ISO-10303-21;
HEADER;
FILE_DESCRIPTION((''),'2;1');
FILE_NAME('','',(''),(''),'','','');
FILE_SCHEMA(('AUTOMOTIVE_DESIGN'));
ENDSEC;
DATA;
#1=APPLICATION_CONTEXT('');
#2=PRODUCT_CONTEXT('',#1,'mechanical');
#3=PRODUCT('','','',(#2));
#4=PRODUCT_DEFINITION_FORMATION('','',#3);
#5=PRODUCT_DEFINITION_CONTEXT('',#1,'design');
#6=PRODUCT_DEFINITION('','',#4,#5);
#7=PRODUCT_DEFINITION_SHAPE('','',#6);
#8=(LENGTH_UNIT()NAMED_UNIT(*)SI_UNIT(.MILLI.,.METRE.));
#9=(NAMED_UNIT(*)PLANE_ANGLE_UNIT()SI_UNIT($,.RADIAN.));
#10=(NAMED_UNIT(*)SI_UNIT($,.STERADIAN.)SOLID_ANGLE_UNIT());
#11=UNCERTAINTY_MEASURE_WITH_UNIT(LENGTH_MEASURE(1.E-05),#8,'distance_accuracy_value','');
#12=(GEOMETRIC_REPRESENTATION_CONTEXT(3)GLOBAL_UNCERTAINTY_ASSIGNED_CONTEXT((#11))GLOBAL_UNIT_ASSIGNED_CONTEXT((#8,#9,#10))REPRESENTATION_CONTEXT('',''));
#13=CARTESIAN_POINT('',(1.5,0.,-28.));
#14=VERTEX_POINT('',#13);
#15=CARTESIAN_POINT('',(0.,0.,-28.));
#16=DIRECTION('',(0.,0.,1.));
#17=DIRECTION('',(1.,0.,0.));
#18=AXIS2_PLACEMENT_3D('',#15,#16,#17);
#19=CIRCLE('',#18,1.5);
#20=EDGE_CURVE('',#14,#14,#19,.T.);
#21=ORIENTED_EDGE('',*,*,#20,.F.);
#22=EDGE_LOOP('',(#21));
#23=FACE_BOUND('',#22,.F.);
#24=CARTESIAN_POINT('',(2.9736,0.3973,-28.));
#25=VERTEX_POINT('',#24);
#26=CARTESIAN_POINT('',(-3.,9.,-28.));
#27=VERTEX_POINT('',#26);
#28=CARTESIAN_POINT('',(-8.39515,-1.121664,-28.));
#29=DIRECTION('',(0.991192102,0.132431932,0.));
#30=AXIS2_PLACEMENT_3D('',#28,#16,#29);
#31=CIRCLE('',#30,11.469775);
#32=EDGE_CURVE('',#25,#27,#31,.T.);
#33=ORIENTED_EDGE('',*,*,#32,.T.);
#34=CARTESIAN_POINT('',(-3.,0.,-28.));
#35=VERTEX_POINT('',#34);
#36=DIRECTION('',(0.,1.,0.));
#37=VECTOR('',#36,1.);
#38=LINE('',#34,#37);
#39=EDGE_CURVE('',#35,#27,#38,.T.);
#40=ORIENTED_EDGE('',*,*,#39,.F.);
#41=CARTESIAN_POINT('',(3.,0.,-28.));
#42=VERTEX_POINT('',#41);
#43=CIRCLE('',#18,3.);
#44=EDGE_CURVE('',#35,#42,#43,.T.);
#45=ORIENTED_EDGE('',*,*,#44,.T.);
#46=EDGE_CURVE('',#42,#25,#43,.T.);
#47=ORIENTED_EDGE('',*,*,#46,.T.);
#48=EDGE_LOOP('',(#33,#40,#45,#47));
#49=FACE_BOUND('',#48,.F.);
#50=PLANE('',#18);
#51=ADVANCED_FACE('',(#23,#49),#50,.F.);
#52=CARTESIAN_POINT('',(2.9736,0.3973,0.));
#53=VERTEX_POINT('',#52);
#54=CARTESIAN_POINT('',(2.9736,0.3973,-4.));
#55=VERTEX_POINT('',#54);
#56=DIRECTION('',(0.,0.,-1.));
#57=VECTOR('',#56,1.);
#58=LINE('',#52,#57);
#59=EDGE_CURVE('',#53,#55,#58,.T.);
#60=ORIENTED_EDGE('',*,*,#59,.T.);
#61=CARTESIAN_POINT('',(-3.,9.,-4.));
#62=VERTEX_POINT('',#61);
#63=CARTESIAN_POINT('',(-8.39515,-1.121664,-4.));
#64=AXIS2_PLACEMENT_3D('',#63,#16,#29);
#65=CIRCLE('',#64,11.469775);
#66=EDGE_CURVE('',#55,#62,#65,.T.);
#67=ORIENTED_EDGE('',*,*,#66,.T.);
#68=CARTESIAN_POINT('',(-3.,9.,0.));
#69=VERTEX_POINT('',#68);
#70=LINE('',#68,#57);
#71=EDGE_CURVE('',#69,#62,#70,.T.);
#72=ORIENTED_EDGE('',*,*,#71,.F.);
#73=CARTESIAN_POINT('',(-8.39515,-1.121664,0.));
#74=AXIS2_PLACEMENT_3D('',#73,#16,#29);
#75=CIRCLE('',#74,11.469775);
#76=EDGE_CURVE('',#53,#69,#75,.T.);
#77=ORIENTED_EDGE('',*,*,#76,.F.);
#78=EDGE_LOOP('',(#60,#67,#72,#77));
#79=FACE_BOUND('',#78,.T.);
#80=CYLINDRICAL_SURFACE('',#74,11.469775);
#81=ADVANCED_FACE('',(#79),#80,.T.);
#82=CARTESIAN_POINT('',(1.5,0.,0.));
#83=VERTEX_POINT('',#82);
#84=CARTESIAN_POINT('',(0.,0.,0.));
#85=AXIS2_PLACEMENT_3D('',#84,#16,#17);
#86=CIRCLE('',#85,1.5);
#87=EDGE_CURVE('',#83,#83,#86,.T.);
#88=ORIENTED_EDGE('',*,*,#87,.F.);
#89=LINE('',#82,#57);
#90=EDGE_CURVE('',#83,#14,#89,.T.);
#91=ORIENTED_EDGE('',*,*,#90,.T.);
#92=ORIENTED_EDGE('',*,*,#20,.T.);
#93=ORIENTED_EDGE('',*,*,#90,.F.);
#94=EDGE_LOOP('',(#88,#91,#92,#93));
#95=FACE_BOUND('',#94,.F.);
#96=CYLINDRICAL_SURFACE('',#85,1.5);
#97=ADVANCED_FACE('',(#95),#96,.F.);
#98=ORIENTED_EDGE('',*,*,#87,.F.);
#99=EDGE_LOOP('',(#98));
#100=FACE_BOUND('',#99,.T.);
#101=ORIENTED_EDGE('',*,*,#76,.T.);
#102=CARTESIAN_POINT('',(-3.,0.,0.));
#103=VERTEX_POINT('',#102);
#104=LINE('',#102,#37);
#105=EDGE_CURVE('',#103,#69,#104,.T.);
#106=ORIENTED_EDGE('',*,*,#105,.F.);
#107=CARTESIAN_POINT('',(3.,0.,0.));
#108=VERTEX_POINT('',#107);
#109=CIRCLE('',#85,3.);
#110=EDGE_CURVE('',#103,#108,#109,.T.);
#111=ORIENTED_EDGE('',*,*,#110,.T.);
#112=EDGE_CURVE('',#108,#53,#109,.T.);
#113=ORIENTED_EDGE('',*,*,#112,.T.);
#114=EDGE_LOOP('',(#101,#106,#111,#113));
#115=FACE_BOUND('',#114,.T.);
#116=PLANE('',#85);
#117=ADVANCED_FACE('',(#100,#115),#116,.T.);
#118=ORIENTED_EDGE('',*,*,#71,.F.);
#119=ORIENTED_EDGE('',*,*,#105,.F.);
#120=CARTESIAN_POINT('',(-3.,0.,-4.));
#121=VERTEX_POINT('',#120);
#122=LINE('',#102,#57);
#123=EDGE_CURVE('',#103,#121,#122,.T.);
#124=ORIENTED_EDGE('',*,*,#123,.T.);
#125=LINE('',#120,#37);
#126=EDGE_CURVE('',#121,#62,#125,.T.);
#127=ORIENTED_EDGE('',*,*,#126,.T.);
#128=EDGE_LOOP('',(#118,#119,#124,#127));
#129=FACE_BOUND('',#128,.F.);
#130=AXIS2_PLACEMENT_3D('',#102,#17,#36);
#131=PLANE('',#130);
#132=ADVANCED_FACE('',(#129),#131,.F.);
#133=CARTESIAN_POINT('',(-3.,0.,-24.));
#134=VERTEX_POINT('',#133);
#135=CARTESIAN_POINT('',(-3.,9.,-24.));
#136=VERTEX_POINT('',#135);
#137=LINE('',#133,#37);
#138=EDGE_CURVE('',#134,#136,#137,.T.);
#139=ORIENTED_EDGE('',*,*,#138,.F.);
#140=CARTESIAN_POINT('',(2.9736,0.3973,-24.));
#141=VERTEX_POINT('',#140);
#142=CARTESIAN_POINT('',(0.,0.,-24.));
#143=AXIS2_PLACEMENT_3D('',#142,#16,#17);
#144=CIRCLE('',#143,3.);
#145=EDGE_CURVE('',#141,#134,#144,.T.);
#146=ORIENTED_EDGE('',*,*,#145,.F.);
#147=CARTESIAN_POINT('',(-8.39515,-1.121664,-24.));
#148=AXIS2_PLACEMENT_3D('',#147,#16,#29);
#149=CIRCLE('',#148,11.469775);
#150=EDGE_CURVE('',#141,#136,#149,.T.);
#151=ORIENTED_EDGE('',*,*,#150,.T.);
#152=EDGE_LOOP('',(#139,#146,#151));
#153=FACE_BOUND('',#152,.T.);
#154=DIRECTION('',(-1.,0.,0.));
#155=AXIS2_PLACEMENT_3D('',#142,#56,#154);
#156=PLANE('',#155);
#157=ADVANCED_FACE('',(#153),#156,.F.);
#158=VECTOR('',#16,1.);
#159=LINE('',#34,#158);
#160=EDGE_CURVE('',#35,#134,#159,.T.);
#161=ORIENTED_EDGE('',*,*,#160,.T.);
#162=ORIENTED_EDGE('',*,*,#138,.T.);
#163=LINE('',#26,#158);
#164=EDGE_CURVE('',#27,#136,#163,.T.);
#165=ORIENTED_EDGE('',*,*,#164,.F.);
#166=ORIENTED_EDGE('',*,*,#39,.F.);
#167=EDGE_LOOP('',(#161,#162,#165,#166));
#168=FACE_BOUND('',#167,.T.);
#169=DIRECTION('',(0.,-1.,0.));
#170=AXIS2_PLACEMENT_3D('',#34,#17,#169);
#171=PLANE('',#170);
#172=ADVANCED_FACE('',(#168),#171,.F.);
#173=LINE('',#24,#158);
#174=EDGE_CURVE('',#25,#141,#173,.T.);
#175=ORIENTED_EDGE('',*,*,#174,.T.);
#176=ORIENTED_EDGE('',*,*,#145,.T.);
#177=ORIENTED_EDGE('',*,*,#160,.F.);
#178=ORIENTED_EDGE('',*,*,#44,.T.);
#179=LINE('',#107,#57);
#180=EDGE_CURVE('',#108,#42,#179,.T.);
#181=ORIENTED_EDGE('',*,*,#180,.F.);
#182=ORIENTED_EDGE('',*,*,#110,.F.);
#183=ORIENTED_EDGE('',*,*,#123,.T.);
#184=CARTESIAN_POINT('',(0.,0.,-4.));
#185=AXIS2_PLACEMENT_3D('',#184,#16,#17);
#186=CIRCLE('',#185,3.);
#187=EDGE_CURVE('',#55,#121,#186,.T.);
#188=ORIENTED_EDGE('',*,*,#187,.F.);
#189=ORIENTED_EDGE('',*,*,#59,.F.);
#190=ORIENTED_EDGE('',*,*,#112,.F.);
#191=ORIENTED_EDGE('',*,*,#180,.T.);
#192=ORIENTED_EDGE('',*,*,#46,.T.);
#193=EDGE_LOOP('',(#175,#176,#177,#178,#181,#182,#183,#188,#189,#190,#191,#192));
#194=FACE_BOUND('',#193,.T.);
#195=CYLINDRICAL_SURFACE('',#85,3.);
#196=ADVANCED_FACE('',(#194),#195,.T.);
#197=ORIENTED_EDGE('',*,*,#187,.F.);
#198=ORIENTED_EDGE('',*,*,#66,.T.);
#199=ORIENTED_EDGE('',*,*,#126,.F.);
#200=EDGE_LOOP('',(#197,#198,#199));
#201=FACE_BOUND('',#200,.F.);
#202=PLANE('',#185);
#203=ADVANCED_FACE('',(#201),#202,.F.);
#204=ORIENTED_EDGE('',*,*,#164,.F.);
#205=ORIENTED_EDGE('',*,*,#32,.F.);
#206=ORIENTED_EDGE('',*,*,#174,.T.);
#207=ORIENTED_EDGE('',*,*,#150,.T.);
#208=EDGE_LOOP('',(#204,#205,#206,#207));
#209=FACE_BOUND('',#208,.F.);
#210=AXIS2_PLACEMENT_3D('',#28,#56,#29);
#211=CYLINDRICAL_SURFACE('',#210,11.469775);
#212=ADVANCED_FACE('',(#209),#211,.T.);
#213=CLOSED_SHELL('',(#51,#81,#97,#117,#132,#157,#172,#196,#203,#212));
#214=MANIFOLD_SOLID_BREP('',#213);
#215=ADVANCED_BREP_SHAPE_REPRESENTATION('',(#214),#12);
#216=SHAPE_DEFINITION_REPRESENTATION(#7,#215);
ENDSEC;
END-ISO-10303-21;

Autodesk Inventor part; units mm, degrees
ref_plane "YZ Plane" through (0, 0, 0) normal (1, 0, 0) x (0, 1, 0)
ref_plane "XZ Plane" through (0, 0, 0) normal (0, 1, 0) x (-1, 0, 0)
sketch "草图1" plane through (0, 0, 0) normal (0, 0, 1) x (1, 0, 0)
  circle A0 centre (0, 0) radius 1.5
  circle A1 centre (0, 0) radius 3
  line L0 (-3, 0) -> (-3, 9)
  arc A2 (2.9736, 0.3973) -> (-3, 9) centre (-8.3955, -1.1218) ccw
  dimension "d0" = 3
  dimension "d1" = 6
  dimension "d2" = 9
sketch "草图2" plane through (0, 0, 0) normal (0, 1, 0) x (-1, 0, 0)
  line L0 (3, 0) -> (3, -28)
  line L1 (3, 0) -> (3, -4)
  line L2 (3, -28) -> (3, -24)
  point P0 (0, 0)
  point P1 (3, -14)
  dimension "d3" = 28
  dimension "d6" = 4
  dimension "d7" = 4
extrude "拉伸1" add sketch "草图1" against normal blind 28 contours A1
extrude "拉伸2" add sketch "草图1" against normal blind 4 contours A1 L0 A2
ref_plane "工作平面1" through (0, 0, -14) normal (0, 0, 1) x (1, 0, 0)
mirror "镜像1" about plane through (0, 0, -14) normal (0, 0, 1) of "拉伸2"
thread "螺纹8" size "M3x0.5" class "6H" standard "ANSI Metric M Profile" full length
